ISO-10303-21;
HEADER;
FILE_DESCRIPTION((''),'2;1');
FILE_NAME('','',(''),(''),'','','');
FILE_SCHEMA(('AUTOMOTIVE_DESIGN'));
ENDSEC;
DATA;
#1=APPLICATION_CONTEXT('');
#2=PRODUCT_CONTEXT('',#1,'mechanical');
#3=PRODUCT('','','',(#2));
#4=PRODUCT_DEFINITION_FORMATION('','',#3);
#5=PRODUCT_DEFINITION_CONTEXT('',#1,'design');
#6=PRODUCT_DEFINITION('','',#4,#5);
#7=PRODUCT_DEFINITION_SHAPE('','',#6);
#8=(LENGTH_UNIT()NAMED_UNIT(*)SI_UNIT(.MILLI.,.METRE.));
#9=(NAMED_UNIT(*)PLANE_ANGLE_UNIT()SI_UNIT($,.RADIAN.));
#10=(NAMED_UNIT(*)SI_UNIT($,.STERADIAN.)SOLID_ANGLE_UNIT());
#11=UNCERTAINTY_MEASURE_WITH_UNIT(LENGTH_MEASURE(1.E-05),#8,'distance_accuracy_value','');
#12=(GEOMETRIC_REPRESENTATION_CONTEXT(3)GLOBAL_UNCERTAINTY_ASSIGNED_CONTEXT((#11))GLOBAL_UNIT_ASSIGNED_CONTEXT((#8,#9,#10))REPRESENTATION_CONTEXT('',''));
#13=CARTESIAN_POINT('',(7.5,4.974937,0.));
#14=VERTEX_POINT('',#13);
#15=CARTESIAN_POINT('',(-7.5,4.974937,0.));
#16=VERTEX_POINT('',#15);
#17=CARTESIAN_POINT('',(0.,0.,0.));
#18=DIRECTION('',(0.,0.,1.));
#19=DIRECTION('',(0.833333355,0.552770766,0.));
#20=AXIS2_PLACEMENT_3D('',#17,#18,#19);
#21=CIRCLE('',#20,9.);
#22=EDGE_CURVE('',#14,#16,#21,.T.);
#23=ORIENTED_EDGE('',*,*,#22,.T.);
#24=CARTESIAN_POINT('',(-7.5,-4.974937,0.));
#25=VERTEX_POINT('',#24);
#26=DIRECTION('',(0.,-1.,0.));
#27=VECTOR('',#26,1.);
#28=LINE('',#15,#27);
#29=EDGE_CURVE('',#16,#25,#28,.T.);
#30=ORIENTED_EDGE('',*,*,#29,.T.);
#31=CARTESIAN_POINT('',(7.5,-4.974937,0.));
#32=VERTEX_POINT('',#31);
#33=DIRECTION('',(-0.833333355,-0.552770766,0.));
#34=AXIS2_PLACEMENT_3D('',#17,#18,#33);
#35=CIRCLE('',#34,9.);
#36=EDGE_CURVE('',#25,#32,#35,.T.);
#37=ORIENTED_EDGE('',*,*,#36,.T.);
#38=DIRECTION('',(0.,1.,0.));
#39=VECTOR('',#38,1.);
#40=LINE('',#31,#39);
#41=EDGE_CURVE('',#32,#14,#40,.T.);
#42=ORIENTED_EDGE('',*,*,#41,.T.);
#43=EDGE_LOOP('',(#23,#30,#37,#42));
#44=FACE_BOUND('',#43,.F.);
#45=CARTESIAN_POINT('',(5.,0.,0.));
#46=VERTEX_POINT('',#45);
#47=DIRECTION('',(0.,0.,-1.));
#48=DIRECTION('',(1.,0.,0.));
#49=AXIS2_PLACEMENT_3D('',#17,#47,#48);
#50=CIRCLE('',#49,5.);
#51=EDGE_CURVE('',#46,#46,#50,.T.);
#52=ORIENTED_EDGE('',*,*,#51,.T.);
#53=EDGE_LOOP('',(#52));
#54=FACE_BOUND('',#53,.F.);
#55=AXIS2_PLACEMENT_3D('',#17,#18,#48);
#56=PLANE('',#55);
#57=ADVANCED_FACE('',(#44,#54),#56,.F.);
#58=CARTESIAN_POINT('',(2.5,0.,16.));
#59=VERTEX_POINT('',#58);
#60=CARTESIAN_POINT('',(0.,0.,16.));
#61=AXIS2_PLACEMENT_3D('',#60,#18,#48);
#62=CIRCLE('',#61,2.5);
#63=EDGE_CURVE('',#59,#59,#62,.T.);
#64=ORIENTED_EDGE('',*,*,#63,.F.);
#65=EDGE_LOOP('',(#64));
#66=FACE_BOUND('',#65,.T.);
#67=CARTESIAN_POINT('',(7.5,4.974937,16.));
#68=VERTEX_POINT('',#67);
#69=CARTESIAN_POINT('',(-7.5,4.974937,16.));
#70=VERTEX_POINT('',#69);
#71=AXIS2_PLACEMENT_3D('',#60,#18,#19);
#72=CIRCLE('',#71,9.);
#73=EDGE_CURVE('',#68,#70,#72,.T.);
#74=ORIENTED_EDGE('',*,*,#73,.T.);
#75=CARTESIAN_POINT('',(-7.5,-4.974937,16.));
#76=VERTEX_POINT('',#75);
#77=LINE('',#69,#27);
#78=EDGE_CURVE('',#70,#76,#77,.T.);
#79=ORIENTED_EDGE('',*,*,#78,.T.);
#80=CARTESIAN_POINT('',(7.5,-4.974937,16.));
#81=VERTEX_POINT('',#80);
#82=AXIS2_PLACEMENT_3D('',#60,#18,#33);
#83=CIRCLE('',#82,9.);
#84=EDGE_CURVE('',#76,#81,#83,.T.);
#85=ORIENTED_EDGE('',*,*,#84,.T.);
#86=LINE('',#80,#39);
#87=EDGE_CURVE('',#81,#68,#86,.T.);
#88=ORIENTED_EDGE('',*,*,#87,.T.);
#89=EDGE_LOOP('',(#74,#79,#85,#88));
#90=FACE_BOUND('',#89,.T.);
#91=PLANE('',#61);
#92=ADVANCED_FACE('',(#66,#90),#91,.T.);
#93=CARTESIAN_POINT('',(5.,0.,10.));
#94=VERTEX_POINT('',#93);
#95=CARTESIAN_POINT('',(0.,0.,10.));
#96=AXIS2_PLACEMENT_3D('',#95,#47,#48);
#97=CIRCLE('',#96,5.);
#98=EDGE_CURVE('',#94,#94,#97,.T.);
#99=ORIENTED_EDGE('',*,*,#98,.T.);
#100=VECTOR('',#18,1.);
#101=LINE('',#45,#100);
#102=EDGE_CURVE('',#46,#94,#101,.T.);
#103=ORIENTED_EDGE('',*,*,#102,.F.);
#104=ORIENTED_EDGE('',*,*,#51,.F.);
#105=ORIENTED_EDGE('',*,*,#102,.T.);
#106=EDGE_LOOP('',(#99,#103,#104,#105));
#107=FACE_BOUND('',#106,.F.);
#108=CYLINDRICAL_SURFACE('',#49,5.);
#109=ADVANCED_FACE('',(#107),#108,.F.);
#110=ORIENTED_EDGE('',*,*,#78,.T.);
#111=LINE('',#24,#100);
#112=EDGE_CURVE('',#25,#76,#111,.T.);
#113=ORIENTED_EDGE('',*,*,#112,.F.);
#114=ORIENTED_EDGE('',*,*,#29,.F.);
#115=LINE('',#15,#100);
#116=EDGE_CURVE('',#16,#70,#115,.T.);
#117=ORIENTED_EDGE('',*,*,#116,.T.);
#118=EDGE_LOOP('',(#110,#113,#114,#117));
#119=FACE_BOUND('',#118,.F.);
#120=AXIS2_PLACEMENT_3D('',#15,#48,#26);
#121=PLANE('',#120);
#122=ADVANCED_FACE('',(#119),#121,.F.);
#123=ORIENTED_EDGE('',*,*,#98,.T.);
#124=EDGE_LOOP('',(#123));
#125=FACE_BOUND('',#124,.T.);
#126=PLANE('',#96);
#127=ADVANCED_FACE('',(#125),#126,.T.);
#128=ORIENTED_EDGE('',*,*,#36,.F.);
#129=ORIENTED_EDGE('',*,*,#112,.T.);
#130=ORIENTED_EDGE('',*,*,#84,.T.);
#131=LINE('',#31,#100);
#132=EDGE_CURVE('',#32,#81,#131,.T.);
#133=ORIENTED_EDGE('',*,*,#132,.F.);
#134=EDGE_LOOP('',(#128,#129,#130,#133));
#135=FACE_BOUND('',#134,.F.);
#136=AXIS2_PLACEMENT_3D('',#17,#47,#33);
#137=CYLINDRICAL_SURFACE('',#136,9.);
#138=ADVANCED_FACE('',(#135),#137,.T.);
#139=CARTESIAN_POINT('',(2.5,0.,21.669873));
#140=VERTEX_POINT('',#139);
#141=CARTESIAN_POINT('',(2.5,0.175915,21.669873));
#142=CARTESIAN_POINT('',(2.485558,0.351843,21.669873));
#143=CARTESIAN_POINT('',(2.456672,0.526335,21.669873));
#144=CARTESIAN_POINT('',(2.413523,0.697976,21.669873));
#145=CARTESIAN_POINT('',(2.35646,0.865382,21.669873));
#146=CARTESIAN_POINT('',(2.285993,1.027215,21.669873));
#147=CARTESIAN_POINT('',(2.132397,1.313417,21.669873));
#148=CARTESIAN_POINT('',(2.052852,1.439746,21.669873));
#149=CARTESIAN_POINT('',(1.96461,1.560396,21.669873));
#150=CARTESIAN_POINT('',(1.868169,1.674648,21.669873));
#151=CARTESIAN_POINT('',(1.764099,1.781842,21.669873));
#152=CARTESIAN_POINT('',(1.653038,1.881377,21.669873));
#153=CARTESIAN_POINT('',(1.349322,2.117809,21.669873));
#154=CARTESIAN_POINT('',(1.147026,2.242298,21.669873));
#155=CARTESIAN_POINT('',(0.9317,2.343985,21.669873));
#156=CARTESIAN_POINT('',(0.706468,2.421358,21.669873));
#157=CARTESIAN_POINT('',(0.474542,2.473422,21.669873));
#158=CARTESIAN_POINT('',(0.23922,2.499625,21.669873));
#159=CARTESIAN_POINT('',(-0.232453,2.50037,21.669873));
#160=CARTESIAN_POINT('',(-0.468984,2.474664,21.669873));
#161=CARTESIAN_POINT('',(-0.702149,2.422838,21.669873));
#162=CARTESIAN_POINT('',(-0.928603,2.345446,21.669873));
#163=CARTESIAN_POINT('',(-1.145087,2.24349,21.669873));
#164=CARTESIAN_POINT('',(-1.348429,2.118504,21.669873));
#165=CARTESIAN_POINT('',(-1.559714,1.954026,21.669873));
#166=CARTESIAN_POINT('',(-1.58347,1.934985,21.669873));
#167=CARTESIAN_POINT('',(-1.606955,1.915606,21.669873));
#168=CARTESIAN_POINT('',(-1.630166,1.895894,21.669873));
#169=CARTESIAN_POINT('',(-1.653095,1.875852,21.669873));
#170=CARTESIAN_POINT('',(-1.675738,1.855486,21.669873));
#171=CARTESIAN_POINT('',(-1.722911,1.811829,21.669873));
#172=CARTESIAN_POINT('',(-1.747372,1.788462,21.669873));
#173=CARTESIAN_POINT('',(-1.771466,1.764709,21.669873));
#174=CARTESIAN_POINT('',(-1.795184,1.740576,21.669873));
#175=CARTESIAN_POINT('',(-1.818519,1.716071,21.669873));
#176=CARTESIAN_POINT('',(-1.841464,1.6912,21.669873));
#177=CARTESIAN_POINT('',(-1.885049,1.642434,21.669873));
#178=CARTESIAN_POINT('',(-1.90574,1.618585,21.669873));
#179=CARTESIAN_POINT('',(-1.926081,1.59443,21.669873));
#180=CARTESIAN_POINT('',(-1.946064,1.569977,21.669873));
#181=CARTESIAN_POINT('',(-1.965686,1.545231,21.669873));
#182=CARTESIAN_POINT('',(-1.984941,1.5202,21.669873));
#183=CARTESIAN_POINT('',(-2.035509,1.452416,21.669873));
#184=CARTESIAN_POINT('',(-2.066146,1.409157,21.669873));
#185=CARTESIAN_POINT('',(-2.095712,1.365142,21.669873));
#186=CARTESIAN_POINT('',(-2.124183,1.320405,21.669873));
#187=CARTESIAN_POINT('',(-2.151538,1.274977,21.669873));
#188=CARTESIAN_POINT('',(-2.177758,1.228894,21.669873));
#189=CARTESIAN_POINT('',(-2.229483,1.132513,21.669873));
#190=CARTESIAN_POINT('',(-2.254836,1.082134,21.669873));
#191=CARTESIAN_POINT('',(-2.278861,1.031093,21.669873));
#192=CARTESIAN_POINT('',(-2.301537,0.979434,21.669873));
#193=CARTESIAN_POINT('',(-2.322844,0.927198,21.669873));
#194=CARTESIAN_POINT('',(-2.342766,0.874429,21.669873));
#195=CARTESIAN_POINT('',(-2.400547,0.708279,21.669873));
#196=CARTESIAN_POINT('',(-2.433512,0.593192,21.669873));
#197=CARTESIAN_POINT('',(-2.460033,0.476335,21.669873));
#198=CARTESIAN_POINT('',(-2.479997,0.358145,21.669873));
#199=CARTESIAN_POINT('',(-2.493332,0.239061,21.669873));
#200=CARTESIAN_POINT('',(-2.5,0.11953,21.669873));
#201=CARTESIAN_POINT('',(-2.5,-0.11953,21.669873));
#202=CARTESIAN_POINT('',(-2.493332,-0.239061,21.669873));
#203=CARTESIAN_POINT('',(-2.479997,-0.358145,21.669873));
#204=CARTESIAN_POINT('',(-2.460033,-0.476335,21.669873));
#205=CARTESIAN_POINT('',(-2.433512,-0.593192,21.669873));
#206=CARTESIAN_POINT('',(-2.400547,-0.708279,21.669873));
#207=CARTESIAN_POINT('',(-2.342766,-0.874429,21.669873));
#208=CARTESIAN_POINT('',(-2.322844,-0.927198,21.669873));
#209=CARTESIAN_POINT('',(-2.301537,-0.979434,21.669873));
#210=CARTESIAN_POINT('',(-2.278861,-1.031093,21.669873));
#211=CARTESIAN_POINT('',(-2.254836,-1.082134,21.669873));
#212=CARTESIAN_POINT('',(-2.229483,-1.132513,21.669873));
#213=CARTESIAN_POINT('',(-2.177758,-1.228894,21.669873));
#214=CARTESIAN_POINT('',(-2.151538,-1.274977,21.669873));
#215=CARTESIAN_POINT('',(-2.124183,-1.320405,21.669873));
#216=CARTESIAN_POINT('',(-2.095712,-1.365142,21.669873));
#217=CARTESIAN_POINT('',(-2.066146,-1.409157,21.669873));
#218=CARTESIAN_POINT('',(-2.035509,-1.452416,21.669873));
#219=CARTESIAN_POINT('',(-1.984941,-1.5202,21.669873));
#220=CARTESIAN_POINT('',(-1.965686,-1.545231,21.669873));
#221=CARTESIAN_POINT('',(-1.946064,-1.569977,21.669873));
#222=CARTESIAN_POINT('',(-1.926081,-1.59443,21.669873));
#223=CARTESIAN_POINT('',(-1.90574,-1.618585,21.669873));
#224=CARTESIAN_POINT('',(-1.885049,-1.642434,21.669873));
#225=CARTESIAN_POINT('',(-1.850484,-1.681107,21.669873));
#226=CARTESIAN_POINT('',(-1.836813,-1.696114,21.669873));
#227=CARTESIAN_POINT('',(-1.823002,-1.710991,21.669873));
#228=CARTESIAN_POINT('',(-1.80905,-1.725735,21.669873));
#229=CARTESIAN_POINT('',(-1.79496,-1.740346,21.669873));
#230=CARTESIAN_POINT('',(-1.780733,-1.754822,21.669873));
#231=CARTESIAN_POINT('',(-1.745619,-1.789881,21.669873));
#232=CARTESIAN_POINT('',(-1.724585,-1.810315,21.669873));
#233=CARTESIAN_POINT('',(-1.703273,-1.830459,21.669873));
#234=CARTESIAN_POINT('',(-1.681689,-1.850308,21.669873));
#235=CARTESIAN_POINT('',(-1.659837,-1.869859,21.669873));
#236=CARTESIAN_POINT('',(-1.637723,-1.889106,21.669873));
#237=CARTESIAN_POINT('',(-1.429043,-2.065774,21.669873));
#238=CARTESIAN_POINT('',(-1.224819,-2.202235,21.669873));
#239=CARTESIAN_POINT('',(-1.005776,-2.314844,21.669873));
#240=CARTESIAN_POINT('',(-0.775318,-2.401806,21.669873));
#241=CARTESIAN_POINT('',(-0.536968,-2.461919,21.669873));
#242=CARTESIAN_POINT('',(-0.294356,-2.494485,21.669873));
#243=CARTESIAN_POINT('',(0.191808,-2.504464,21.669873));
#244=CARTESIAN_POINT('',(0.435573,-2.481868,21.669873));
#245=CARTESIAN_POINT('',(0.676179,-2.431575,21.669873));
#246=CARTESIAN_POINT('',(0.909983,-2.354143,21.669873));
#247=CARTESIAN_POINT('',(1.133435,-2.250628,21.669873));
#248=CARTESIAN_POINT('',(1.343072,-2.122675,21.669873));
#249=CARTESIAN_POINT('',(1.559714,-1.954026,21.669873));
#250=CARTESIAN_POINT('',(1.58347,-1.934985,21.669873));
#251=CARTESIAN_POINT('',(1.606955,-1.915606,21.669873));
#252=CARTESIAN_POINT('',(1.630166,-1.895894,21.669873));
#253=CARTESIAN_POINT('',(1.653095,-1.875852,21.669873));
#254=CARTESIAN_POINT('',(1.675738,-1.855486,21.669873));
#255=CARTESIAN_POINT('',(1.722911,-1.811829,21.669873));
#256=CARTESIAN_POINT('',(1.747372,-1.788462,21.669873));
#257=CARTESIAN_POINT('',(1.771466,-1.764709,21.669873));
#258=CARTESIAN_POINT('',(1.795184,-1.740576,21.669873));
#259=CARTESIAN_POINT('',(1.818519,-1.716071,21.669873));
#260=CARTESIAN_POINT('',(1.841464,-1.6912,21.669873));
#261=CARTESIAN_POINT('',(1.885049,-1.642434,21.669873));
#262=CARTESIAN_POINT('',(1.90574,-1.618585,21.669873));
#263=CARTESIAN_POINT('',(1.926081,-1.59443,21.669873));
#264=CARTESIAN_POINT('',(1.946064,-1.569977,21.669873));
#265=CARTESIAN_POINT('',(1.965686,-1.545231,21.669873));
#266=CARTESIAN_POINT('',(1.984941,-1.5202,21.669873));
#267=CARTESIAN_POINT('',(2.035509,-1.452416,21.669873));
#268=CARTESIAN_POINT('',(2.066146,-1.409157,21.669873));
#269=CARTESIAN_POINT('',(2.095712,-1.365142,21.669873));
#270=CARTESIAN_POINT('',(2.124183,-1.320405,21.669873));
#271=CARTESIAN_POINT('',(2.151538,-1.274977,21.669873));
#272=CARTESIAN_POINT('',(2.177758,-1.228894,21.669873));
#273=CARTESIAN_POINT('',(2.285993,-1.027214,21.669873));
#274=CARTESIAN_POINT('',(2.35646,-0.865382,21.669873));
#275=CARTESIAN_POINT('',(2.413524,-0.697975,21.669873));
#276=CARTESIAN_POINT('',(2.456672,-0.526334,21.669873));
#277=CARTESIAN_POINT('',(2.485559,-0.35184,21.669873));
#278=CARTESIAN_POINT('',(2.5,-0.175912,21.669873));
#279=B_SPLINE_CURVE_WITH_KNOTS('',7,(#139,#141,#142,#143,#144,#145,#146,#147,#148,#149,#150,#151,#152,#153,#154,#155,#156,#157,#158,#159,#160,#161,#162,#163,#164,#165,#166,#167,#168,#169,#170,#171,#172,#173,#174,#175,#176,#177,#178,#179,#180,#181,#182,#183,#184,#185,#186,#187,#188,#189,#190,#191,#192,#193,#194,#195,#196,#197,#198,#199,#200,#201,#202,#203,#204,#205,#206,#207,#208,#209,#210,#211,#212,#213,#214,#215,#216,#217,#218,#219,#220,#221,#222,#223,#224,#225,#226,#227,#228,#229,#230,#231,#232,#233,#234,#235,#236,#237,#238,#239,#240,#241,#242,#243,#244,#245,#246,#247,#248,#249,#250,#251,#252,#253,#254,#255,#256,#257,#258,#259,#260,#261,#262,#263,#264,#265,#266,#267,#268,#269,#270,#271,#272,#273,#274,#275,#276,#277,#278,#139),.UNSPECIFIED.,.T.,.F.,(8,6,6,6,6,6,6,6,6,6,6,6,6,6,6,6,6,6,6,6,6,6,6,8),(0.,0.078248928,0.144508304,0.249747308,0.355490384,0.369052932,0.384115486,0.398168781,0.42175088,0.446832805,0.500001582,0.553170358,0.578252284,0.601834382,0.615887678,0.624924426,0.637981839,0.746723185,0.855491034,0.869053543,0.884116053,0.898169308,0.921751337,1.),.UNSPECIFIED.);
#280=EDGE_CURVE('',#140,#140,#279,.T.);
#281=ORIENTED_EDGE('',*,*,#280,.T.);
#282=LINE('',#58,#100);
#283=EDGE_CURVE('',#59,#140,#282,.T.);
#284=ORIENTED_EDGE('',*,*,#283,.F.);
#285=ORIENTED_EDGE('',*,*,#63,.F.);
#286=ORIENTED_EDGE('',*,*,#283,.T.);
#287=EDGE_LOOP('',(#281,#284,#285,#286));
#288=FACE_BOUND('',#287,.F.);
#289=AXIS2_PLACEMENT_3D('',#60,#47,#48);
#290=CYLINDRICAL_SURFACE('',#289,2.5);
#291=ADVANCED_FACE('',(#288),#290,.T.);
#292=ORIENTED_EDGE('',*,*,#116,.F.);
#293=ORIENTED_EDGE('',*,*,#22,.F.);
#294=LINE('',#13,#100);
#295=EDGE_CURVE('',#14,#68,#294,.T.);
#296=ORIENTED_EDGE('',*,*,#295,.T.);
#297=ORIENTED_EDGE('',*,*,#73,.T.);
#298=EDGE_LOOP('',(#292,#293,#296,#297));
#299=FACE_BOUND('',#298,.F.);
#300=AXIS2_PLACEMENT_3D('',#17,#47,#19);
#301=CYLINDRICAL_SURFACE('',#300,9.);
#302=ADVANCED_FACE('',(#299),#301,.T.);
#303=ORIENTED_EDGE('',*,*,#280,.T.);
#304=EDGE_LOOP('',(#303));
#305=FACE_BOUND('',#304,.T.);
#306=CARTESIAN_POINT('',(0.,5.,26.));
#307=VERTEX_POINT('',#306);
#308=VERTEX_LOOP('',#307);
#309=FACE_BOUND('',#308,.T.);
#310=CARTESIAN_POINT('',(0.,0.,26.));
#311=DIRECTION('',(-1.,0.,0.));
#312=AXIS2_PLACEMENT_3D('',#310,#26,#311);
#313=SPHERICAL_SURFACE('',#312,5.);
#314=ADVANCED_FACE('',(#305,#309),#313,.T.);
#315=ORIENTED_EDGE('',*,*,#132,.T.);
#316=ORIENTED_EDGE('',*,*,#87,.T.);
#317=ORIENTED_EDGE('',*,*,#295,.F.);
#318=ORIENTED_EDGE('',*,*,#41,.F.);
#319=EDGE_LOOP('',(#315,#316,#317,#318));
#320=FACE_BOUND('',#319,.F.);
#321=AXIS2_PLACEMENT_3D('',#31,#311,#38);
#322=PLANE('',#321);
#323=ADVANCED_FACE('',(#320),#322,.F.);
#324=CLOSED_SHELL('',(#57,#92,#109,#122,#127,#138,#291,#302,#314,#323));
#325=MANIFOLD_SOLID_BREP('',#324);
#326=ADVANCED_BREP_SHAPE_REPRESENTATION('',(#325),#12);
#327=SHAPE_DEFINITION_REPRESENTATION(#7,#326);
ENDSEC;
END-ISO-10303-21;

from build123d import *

# Parameters (mm, degrees)
F1_DEPTH = 16
F5_R     = 2.5
F6_DEPTH = 10
F7_R     = 5
F8_DEPTH = 10


with BuildPart() as f1:
    # F0 (on Top) → F1 (new body)
    with BuildSketch(Plane.XY):
        with BuildLine():
            Line((-7.5, 4.974937), (-7.5, -4.974937))
            ThreePointArc((-7.5, -4.974937), (0, -9), (7.5, -4.974937))
            Line((7.5, -4.974937), (7.5, 4.974937))
            ThreePointArc((7.5, 4.974937), (0, 9), (-7.5, 4.974937))
        make_face()
    extrude(amount=F1_DEPTH)



with BuildPart() as f4:
    # F3 (on offset) → F4 (revolve)
    with BuildSketch(Plane.XY.offset(26)):
        with BuildLine():
            Line((0, -5), (0, 5))
            ThreePointArc((0, 5), (-5, 0), (0, -5))
        make_face()
    revolve(axis=Axis((0, 0, 26), (0, -1, 0)))


with BuildPart() as f1_1:
    add(f1.part)

    add(f4.part)  # F6 merges F4
    # F5 (on face) → F6 (join)
    with BuildSketch(Plane.XY.offset(16)):
        Circle(F5_R)
    extrude(amount=F6_DEPTH)

    # F7 (on face) → F8 (cut)
    with BuildSketch(Plane(origin=(0, 0, 0), x_dir=(1, 0, 0), z_dir=(0, 0, -1))):
        Circle(F7_R)
    extrude(amount=-F8_DEPTH, mode=Mode.SUBTRACT)


solid = f1_1.part
